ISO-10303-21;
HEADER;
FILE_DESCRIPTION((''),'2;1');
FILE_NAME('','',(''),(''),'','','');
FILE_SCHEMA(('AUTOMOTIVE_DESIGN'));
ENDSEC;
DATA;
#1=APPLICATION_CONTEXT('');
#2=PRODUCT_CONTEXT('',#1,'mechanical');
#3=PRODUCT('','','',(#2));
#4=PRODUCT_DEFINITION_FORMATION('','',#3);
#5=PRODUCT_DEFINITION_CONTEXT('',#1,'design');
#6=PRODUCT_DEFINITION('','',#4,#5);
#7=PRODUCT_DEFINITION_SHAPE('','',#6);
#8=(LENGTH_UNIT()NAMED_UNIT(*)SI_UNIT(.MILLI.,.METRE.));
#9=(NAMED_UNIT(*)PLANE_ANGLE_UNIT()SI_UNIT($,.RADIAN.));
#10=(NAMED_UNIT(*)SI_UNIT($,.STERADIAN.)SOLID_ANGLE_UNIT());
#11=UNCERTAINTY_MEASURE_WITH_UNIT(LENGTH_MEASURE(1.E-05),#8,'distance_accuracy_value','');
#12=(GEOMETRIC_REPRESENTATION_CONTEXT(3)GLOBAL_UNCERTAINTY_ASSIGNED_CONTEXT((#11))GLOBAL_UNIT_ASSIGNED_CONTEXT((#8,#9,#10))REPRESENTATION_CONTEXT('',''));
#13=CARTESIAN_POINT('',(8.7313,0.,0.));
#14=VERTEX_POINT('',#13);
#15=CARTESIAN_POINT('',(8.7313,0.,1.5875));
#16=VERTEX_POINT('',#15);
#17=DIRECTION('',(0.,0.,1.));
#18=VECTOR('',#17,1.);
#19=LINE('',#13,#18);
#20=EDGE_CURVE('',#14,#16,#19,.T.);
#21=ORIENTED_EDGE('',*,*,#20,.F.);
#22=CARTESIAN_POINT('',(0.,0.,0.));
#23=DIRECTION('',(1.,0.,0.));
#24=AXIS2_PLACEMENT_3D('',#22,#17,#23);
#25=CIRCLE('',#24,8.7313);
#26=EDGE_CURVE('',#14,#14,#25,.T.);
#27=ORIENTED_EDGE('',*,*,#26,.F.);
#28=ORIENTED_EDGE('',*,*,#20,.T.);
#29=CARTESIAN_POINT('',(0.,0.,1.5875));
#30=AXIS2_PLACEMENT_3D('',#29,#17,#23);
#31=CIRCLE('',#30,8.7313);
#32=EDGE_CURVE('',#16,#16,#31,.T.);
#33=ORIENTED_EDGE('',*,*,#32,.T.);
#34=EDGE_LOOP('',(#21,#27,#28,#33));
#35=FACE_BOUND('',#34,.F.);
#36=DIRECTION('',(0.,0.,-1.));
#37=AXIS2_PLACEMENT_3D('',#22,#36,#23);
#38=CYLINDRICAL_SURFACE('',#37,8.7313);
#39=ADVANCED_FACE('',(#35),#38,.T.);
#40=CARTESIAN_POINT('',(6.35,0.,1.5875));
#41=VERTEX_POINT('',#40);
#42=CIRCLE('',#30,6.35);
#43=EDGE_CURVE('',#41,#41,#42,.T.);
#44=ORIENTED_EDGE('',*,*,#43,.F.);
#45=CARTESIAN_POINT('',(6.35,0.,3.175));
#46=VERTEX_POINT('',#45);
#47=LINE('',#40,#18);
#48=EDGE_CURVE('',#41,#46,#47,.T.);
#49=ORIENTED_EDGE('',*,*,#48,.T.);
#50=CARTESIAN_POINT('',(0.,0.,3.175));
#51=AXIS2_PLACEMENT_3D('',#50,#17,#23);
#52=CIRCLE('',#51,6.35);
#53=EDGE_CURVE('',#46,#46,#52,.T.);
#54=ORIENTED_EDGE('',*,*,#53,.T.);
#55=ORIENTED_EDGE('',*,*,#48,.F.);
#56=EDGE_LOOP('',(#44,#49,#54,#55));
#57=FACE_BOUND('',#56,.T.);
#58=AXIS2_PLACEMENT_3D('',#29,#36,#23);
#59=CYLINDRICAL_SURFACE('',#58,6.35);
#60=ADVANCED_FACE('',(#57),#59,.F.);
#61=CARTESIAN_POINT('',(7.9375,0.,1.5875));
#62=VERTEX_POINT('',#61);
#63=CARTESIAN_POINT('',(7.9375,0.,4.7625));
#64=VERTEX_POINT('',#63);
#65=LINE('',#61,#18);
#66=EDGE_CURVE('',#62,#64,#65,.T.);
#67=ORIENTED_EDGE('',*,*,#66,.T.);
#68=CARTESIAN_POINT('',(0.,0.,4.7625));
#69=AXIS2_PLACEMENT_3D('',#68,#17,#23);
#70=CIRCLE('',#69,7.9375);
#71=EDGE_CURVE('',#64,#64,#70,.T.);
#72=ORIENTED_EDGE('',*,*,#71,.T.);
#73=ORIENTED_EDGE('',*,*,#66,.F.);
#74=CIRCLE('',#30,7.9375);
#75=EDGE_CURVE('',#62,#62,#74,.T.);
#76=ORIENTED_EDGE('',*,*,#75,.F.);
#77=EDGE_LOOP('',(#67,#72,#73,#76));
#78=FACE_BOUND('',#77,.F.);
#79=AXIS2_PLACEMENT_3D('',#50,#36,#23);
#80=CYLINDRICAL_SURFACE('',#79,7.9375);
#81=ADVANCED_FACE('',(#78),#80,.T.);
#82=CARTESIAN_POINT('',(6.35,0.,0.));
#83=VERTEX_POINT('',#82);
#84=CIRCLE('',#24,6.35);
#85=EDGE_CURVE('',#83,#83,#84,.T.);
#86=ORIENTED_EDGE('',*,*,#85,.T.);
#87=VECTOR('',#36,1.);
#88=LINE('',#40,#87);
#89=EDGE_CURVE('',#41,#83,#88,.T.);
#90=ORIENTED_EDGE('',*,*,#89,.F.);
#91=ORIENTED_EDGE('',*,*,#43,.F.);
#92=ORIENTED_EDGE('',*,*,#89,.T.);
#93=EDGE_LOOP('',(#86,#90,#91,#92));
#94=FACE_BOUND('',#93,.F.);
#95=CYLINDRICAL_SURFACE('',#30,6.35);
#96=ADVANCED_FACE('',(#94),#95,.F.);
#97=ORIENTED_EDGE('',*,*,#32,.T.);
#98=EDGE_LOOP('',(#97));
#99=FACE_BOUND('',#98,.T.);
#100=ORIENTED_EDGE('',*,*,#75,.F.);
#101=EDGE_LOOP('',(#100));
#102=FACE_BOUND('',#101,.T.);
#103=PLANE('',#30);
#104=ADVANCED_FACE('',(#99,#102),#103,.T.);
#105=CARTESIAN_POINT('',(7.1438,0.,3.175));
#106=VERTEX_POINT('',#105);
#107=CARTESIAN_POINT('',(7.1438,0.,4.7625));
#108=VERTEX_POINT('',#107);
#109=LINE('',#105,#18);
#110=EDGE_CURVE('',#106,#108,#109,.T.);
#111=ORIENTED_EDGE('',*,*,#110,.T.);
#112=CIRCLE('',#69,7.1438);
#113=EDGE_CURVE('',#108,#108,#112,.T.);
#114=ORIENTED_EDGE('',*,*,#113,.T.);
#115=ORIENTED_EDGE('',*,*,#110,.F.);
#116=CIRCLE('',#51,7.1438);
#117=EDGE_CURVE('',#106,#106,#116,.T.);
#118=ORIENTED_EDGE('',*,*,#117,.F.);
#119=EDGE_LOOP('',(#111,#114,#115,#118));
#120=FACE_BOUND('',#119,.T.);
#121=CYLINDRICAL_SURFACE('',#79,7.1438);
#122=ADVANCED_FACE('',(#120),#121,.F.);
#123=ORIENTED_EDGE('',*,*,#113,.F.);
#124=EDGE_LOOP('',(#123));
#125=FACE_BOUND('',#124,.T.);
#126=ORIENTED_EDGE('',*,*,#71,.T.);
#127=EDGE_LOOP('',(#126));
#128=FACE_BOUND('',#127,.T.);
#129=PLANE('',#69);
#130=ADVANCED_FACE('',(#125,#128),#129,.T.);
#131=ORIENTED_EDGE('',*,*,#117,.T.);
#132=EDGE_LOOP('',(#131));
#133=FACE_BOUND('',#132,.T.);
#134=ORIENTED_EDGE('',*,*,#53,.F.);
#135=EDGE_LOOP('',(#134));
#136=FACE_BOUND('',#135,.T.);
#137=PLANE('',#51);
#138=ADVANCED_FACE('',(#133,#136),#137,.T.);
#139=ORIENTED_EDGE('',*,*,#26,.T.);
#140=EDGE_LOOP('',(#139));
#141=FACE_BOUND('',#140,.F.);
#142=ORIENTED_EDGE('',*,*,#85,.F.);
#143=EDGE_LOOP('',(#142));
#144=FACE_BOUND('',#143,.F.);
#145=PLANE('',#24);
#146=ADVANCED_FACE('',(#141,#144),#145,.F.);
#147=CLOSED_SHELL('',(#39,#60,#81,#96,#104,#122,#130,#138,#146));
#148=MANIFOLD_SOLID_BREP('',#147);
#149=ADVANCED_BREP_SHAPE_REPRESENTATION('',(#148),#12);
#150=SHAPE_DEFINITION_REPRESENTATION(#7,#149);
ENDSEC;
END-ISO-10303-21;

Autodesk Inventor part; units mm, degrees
ref_plane "YZ Plane" through (0, 0, 0) normal (1, 0, 0) x (0, 1, 0)
ref_plane "XZ Plane" through (0, 0, 0) normal (0, 1, 0) x (-1, 0, 0)
ref_plane "XY Plane" through (0, 0, 0) normal (0, 0, 1) x (1, 0, 0)
sketch "Sketch1" plane through (0, 0, 0) normal (0, 0, 1) x (1, 0, 0)
  circle A0 centre (0, 0) radius 6.35
  circle A1 centre (0, 0) radius 8.7313
  circle A2 centre (0, 0) radius 7.9375
  dimension "d0" = 12.7
  dimension "d3" = 17.4625
  dimension "d4" = 0.7937
extrude "Extrusion1" add sketch "Sketch1" along normal blind 1.5875 contours A0 | A1 | A2
sketch "Sketch2" plane through (0, 0, 1.5875) normal (0, 0, 1) x (1, 0, 0)
  circle A0 centre (0, 0) radius 6.35
  circle A1 centre (0, 0) radius 8.7313
  circle A2 centre (0, 0) radius 7.9375
  dimension "d7" = 12.7
  dimension "d8" = 17.4625
  dimension "d9" = 0.7937
extrude "Extrusion2" add sketch "Sketch2" along normal blind 1.5875 contours A2
sketch "Sketch3" plane through (0, 0, 1.5875) normal (0, 0, 1) x (1, 0, 0)
  circle A0 centre (0, 0) radius 6.35 projected
  circle A1 centre (0, 0) radius 6.35
extrude "Extrusion3" cut sketch "Sketch3" against normal blind 3.175
sketch "Sketch4" plane through (0, 0, 3.175) normal (0, 0, 1) x (1, 0, 0)
  circle A0 centre (0, 0) radius 7.9375 projected
  circle A1 centre (0, 0) radius 7.9375
  circle A2 centre (0, 0) radius 7.1438
  dimension "d14" = 0.7937
extrude "Extrusion4" add sketch "Sketch4" along normal blind 1.5875
properties part number "Needle Bearing Stopper"
